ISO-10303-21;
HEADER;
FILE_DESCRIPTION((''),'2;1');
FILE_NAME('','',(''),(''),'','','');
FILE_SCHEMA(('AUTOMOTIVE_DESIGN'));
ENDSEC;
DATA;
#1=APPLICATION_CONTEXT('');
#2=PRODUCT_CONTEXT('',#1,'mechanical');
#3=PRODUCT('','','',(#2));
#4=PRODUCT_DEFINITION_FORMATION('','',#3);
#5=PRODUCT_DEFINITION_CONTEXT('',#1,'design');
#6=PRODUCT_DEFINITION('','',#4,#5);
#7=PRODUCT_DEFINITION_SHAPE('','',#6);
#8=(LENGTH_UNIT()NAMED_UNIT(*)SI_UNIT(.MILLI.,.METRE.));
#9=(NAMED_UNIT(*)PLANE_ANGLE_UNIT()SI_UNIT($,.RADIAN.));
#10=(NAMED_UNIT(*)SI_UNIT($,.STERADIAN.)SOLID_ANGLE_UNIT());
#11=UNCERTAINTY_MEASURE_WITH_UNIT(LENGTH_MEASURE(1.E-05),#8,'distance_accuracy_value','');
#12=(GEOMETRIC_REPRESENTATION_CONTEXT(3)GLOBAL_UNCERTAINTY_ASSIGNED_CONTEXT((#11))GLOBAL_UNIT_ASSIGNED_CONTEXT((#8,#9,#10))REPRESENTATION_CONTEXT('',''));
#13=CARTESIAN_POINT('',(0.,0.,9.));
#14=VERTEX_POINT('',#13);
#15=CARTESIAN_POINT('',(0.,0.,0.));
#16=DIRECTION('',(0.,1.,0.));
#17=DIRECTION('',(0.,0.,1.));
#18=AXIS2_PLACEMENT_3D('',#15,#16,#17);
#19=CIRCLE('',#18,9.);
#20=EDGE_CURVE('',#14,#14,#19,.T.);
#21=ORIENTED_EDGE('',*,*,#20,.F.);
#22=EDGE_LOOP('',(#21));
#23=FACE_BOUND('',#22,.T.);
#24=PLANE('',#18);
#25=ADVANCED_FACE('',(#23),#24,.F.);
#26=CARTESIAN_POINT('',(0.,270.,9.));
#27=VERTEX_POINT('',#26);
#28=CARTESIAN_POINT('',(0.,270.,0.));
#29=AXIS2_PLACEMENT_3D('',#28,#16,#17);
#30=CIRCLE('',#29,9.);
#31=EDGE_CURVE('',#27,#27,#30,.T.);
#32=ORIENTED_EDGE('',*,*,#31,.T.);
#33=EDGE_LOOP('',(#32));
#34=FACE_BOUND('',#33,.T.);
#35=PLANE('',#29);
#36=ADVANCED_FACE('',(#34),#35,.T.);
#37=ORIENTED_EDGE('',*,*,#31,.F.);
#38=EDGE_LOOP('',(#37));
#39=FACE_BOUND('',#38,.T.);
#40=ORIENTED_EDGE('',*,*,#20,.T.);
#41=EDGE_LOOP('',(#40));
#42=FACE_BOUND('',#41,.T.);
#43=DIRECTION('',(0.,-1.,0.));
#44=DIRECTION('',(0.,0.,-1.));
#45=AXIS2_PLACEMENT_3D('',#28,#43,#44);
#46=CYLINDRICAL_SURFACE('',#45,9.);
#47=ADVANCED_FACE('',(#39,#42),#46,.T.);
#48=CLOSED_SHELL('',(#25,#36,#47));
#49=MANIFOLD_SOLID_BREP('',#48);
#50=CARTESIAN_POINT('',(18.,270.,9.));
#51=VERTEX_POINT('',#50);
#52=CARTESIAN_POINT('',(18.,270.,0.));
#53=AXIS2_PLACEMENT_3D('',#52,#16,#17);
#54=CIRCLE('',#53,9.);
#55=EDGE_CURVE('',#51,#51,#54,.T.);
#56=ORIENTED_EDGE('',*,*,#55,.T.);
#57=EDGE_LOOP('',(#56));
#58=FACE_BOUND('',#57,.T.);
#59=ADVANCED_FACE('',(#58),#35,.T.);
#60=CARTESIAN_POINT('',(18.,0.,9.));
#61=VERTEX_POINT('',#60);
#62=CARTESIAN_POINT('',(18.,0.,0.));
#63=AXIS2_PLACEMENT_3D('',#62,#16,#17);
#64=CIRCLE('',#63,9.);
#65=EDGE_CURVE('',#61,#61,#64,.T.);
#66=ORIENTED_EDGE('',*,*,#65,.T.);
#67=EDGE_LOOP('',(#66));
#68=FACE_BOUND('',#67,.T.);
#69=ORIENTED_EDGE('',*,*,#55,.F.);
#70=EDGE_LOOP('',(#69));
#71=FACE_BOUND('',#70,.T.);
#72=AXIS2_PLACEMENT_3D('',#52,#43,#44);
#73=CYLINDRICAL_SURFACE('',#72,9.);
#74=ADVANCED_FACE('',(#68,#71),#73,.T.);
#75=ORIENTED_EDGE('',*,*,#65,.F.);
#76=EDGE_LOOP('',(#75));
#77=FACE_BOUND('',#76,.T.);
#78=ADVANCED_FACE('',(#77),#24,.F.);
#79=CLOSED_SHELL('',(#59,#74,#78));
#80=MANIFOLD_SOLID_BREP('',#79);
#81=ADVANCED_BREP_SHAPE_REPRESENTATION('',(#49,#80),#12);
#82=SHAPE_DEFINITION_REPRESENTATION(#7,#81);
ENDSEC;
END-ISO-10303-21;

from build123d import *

# Parameters (mm, degrees)
SKETCH1_R             = 9
BOSS_EXTRUDE1_DEPTH   = 270
BOSS_EXTRUDE1_2_DEPTH = 270


with BuildPart() as part:
    # Sketch1 → Boss-Extrude1 (new body)
    with BuildSketch(Plane(origin=(0, 0, 0), x_dir=(1, 0, 0), z_dir=(0, 1, 0))):
        Circle(SKETCH1_R)
    extrude(amount=BOSS_EXTRUDE1_DEPTH)


with BuildPart() as body_2:
    # Sketch1 → Boss-Extrude1 2 (new body)
    with BuildSketch(Plane(origin=(0, 0, 0), x_dir=(1, 0, 0), z_dir=(0, 1, 0))):
        with Locations((18, 0)):
            Circle(SKETCH1_R)
    extrude(amount=BOSS_EXTRUDE1_2_DEPTH)


solid = Compound([part.part, body_2.part])
